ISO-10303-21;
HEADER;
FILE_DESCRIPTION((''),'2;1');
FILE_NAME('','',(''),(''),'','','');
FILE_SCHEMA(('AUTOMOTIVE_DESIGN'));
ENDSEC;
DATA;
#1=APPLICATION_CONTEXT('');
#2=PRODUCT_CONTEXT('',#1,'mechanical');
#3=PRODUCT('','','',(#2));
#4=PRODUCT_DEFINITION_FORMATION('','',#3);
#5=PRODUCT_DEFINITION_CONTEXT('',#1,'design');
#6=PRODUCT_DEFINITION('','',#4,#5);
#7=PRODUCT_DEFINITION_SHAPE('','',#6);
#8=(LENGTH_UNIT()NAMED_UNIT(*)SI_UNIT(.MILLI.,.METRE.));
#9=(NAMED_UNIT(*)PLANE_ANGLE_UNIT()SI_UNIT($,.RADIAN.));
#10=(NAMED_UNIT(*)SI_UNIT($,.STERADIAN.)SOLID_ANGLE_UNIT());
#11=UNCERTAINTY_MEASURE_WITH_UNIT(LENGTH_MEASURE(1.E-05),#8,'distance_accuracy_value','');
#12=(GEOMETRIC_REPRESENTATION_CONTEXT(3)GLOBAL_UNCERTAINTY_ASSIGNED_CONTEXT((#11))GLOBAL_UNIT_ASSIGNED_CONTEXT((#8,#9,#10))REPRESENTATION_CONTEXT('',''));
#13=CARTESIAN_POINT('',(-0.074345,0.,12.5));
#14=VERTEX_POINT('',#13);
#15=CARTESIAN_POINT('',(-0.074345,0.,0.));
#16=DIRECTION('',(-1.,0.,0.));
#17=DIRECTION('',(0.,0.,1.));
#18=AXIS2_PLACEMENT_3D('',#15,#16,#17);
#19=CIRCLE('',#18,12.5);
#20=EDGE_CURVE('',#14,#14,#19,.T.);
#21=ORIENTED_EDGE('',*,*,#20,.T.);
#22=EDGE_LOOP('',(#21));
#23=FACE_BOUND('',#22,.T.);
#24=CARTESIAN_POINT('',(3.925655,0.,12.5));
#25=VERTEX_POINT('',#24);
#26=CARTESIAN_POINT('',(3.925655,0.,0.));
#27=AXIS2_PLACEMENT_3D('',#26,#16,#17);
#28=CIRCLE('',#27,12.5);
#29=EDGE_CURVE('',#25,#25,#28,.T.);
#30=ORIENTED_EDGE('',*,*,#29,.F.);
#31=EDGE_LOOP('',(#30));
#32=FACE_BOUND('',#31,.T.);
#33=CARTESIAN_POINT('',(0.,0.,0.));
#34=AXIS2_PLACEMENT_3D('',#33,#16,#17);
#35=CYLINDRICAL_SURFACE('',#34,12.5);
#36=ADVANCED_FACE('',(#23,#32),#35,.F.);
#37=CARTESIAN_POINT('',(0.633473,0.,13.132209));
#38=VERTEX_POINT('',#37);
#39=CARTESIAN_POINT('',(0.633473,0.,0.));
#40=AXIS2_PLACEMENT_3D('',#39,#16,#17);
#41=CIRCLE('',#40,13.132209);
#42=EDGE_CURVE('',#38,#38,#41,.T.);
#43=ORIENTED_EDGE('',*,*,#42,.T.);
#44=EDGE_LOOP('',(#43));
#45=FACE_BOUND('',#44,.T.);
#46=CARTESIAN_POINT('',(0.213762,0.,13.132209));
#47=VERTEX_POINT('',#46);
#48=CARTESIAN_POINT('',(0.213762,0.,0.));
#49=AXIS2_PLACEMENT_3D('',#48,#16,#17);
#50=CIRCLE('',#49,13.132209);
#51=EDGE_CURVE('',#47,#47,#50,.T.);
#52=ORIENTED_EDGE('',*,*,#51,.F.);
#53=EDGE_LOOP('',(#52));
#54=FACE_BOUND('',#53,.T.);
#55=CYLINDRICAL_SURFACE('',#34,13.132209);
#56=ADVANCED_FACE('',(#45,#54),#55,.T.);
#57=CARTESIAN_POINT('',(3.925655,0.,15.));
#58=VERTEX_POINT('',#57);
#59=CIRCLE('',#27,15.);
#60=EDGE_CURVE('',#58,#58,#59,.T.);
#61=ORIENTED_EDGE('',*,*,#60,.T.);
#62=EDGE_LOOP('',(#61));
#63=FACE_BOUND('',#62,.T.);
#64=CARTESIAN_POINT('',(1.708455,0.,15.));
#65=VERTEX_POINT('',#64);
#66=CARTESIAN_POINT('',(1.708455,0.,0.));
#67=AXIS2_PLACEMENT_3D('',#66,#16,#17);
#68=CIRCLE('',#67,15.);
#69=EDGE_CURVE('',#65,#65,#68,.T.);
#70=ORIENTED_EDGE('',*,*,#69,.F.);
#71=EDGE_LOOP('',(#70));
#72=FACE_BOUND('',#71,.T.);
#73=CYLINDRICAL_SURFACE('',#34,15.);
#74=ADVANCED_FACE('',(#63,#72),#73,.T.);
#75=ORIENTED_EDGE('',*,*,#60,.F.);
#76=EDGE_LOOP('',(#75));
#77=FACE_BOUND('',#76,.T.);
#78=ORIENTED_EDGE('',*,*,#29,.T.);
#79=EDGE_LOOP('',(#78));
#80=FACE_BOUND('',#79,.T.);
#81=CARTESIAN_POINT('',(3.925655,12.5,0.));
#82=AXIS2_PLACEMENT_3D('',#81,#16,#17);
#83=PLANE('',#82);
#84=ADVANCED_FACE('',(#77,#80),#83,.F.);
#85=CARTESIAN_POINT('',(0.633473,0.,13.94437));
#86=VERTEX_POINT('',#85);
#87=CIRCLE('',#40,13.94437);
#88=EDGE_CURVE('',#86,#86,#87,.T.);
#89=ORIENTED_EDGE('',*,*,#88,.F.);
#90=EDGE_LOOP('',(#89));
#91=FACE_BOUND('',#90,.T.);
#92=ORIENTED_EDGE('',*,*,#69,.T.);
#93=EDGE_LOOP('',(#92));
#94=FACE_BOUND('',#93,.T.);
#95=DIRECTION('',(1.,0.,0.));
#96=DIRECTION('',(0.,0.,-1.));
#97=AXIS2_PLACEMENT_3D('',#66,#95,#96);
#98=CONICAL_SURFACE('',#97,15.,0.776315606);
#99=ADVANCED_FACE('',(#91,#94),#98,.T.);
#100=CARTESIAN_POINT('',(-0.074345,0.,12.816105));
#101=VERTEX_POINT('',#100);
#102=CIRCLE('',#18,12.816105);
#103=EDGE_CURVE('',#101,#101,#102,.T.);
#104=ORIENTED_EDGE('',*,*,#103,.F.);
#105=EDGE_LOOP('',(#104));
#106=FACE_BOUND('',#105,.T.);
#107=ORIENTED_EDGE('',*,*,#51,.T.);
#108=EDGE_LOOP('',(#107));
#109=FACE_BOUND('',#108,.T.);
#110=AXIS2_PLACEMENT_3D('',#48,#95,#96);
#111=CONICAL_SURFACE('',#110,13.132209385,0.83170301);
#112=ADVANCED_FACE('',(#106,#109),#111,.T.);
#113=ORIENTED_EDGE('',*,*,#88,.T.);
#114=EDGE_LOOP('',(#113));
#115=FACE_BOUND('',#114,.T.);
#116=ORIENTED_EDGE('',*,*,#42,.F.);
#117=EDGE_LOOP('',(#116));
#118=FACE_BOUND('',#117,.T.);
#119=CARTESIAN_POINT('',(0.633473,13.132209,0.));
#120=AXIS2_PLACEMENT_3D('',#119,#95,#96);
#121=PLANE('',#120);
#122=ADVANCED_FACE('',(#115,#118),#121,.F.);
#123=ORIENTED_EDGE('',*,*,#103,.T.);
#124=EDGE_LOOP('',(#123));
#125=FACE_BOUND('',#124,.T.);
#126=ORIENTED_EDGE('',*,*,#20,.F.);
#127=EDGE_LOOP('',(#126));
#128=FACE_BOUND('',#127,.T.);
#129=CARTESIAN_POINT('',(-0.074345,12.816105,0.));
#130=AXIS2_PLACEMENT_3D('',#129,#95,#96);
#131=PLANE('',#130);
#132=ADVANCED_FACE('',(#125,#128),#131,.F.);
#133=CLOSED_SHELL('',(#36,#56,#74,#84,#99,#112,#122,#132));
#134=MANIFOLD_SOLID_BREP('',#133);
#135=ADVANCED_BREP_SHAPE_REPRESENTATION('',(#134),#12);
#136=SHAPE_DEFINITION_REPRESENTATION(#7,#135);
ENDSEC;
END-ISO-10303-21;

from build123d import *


with BuildPart() as part:
    # Sketch1 → Revolve1 (revolve)
    with BuildSketch(Plane.XY, mode=Mode.PRIVATE) as revolve1_sk:
        Polygon((-0.074345152, 12.5), (3.925654848, 12.5), (3.925654848, 15), (1.708455461, 15), (0.633473344, 13.944369823), (0.633473344, 13.132209385), (0.213761608, 13.132209385), (-0.074345152, 12.816104693), align=None)
    revolve(revolve1_sk.sketch.rotate(Axis((0, 0, 0), (1, 0, 0)), 90), axis=Axis((0, 0, 0), (1, 0, 0)))


solid = part.part
